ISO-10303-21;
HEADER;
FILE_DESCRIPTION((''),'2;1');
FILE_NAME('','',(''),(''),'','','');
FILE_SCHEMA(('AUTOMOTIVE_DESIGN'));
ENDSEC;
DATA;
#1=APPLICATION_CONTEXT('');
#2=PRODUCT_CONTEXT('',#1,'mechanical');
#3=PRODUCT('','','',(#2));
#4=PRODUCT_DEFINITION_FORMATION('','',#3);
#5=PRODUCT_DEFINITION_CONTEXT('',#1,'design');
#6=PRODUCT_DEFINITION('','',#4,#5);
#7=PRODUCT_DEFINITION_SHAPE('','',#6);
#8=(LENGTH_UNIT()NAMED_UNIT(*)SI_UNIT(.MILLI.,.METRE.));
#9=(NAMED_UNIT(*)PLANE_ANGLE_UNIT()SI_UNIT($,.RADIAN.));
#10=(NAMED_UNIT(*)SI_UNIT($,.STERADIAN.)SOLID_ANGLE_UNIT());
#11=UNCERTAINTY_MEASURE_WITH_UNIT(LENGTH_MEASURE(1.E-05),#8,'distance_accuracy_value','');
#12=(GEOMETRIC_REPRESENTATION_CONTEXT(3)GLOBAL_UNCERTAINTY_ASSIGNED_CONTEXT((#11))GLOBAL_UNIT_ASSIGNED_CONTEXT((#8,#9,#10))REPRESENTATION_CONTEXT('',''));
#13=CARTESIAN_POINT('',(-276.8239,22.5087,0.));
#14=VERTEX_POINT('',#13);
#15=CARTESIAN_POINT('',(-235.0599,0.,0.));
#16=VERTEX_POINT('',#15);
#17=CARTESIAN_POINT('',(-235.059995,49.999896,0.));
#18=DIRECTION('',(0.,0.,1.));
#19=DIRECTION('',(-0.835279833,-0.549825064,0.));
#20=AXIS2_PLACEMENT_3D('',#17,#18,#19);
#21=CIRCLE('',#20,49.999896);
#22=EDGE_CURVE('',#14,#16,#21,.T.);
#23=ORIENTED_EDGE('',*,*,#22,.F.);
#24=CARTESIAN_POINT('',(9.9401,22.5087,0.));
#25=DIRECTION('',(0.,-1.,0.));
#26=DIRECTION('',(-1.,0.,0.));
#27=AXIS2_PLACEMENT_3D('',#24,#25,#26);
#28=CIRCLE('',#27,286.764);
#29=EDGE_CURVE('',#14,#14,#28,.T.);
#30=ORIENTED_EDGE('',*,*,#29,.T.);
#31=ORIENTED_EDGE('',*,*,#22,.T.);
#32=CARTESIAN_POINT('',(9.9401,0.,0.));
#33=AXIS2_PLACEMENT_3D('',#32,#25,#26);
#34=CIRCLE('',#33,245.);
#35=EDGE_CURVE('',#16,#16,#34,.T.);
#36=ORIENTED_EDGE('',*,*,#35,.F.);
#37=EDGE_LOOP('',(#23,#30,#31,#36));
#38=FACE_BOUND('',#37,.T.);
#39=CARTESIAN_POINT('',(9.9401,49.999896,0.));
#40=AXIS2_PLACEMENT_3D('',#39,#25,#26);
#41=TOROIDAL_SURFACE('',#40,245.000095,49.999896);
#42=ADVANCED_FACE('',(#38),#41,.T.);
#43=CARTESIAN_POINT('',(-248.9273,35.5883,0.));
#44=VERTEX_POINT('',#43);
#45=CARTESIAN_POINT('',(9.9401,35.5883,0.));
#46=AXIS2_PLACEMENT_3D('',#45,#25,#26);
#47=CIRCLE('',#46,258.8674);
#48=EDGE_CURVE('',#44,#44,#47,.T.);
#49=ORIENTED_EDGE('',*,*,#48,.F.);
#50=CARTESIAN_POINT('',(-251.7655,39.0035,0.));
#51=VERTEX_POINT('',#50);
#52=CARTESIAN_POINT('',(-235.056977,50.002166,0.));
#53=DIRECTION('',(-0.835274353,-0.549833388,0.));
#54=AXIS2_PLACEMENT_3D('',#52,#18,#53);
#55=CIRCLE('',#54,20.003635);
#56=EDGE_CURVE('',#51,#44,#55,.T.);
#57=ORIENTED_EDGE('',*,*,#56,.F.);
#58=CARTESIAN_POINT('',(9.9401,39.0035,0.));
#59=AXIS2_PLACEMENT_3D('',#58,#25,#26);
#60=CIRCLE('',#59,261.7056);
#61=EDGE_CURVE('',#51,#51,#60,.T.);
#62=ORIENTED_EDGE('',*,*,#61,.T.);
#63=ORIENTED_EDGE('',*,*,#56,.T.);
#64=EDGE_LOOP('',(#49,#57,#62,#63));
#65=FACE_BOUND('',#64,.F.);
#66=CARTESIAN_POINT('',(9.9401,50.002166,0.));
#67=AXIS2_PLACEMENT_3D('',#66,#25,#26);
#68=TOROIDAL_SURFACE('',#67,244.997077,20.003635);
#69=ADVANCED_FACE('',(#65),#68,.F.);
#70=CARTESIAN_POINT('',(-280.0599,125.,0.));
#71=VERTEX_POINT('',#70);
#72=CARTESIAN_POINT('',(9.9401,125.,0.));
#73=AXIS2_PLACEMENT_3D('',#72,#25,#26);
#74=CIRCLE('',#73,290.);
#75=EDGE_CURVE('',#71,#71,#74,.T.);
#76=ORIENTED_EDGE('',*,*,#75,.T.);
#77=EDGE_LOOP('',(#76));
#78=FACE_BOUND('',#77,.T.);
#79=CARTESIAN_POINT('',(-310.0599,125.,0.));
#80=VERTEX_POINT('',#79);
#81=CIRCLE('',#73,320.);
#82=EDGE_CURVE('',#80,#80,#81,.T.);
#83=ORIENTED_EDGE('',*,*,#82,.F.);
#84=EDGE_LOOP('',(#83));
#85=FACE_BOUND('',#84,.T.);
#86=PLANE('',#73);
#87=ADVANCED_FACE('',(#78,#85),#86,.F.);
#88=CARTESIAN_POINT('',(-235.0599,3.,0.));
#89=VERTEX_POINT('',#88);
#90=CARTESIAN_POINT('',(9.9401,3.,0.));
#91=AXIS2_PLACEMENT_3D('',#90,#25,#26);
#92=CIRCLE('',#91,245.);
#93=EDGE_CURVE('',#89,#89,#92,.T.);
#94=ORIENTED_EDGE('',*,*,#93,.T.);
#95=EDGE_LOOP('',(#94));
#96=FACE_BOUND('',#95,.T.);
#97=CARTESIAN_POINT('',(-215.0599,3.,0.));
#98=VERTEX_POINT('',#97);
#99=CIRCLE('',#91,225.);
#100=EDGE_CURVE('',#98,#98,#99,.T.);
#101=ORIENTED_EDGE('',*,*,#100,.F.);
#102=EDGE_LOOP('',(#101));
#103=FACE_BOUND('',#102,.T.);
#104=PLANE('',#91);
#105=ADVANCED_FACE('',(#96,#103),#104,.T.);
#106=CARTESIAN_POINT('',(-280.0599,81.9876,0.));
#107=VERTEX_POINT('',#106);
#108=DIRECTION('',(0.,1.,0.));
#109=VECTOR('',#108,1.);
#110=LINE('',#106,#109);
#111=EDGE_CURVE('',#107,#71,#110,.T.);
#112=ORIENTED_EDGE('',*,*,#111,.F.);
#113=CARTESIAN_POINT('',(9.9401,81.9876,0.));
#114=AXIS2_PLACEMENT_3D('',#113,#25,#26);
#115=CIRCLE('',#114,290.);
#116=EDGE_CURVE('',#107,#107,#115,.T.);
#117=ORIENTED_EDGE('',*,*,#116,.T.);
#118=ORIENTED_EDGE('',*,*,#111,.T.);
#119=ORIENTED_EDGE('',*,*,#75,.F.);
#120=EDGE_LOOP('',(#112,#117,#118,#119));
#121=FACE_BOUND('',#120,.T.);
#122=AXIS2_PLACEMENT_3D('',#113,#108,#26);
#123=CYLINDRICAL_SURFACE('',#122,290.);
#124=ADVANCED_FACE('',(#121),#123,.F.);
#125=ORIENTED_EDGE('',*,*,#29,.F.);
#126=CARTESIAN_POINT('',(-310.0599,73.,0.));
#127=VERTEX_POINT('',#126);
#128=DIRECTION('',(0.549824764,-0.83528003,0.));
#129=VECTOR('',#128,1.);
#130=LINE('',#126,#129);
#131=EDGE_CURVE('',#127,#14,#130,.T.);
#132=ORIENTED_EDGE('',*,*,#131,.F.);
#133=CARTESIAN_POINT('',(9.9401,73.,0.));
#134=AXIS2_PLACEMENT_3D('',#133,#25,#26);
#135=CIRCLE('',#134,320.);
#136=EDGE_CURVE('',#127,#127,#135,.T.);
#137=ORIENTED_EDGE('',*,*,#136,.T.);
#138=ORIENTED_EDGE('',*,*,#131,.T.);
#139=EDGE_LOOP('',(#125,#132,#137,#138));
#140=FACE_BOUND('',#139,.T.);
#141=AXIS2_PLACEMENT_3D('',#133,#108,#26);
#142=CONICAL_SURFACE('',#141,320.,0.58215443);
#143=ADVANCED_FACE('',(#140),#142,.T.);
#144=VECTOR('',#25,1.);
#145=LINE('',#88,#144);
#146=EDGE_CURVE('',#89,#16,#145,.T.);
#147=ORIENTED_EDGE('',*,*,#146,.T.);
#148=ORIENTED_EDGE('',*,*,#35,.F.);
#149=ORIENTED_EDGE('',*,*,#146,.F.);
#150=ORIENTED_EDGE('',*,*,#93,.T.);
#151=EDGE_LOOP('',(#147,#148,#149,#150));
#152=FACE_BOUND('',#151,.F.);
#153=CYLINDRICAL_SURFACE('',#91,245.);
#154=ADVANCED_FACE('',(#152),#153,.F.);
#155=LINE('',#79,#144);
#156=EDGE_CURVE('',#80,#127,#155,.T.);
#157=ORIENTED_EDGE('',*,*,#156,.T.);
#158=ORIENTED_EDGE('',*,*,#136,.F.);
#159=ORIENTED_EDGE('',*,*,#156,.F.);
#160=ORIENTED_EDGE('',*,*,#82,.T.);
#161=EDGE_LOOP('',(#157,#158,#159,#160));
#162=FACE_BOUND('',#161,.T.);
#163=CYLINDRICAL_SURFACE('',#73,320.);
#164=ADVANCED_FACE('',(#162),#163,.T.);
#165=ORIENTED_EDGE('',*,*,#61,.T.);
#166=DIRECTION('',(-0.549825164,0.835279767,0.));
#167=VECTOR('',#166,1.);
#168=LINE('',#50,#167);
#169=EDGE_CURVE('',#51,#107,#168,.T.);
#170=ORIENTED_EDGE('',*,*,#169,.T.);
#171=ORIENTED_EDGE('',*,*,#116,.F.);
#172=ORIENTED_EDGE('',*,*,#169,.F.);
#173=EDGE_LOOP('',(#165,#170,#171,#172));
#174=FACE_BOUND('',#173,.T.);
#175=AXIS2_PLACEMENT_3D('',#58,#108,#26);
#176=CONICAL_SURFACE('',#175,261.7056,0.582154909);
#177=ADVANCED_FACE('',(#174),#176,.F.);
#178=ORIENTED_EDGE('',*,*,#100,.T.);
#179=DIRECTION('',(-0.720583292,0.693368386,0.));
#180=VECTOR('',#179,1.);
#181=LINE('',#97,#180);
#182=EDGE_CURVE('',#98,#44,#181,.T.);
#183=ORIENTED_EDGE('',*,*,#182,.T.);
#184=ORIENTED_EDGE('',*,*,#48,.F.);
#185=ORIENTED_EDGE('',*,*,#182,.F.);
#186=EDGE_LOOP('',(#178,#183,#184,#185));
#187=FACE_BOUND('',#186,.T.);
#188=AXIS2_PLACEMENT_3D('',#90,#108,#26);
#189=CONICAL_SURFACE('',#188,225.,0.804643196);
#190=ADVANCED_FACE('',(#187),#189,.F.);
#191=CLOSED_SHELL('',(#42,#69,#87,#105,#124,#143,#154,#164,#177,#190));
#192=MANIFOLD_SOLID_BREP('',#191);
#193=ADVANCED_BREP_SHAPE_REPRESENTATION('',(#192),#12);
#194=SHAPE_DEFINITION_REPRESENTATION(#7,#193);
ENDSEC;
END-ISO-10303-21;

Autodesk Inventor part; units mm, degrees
ref_plane "YZ Plane" through (0, 0, 0) normal (1, 0, 0) x (0, 1, 0)
ref_plane "XZ Plane" through (0, 0, 0) normal (0, 1, 0) x (-1, 0, 0)
ref_plane "XY Plane" through (0, 0, 0) normal (0, 0, 1) x (1, 0, 0)
sketch "Sketch3" plane through (0, 0, 0) normal (0, 0, 1) x (1, 0, 0)
  line L0 (254.9401, 3) -> (-235.0599, 3) construction
  line L1 (-235.0599, 0) -> (254.9401, 0) construction
  line L2 (254.9401, 0) -> (254.9401, 3) construction
  line L3 (-235.0599, 3) -> (-235.0599, 0)
  line L4 (-235.0599, 3) -> (-215.0599, 3)
  line L5 (-215.0599, 3) -> (-215.0599, 128)
  line L6 (-215.0599, 128) -> (-235.0599, 128)
  line L7 (-280.0599, 128) -> (-280.0599, 125)
  line L8 (-280.0599, 125) -> (-310.0599, 125)
  line L9 (-310.0599, 125) -> (-310.0599, 73)
  line L10 (9.9401, 200) -> (9.9401, 0) construction
  line L11 (-310.0599, 73) -> (-276.8239, 22.5087)
  arc A0 (-276.8239, 22.5087) -> (-235.0599, 0) centre (-235.0599, 50) ccw
  line L12 (-251.7655, 39.0035) -> (-280.0599, 81.9876)
  line L13 (-280.0599, 81.9876) -> (-280.0599, 125)
  arc A1 (-251.7655, 39.0035) -> (-248.9273, 35.5883) centre (-235.0599, 50) ccw
  line L14 (-215.0599, 3) -> (-248.9273, 35.5883)
  point P0 (0, 0)
  dimension "d0" = 20
  dimension "d1" = 125
  dimension "d2" = 65
  dimension "d3" = 3
  dimension "d4" = 30
  dimension "d5" = 70
  dimension "d9" = 490
  dimension "d10" = 200
  dimension "d11" = 245
  dimension "d15" = 50
revolve "Revolution1" add sketch "Sketch3" angle 360 about axis through (9.9401, 200, 0) along (0, -1, 0)
equation "\"d11\" = 0.5 * d9"
properties part number "foam"
